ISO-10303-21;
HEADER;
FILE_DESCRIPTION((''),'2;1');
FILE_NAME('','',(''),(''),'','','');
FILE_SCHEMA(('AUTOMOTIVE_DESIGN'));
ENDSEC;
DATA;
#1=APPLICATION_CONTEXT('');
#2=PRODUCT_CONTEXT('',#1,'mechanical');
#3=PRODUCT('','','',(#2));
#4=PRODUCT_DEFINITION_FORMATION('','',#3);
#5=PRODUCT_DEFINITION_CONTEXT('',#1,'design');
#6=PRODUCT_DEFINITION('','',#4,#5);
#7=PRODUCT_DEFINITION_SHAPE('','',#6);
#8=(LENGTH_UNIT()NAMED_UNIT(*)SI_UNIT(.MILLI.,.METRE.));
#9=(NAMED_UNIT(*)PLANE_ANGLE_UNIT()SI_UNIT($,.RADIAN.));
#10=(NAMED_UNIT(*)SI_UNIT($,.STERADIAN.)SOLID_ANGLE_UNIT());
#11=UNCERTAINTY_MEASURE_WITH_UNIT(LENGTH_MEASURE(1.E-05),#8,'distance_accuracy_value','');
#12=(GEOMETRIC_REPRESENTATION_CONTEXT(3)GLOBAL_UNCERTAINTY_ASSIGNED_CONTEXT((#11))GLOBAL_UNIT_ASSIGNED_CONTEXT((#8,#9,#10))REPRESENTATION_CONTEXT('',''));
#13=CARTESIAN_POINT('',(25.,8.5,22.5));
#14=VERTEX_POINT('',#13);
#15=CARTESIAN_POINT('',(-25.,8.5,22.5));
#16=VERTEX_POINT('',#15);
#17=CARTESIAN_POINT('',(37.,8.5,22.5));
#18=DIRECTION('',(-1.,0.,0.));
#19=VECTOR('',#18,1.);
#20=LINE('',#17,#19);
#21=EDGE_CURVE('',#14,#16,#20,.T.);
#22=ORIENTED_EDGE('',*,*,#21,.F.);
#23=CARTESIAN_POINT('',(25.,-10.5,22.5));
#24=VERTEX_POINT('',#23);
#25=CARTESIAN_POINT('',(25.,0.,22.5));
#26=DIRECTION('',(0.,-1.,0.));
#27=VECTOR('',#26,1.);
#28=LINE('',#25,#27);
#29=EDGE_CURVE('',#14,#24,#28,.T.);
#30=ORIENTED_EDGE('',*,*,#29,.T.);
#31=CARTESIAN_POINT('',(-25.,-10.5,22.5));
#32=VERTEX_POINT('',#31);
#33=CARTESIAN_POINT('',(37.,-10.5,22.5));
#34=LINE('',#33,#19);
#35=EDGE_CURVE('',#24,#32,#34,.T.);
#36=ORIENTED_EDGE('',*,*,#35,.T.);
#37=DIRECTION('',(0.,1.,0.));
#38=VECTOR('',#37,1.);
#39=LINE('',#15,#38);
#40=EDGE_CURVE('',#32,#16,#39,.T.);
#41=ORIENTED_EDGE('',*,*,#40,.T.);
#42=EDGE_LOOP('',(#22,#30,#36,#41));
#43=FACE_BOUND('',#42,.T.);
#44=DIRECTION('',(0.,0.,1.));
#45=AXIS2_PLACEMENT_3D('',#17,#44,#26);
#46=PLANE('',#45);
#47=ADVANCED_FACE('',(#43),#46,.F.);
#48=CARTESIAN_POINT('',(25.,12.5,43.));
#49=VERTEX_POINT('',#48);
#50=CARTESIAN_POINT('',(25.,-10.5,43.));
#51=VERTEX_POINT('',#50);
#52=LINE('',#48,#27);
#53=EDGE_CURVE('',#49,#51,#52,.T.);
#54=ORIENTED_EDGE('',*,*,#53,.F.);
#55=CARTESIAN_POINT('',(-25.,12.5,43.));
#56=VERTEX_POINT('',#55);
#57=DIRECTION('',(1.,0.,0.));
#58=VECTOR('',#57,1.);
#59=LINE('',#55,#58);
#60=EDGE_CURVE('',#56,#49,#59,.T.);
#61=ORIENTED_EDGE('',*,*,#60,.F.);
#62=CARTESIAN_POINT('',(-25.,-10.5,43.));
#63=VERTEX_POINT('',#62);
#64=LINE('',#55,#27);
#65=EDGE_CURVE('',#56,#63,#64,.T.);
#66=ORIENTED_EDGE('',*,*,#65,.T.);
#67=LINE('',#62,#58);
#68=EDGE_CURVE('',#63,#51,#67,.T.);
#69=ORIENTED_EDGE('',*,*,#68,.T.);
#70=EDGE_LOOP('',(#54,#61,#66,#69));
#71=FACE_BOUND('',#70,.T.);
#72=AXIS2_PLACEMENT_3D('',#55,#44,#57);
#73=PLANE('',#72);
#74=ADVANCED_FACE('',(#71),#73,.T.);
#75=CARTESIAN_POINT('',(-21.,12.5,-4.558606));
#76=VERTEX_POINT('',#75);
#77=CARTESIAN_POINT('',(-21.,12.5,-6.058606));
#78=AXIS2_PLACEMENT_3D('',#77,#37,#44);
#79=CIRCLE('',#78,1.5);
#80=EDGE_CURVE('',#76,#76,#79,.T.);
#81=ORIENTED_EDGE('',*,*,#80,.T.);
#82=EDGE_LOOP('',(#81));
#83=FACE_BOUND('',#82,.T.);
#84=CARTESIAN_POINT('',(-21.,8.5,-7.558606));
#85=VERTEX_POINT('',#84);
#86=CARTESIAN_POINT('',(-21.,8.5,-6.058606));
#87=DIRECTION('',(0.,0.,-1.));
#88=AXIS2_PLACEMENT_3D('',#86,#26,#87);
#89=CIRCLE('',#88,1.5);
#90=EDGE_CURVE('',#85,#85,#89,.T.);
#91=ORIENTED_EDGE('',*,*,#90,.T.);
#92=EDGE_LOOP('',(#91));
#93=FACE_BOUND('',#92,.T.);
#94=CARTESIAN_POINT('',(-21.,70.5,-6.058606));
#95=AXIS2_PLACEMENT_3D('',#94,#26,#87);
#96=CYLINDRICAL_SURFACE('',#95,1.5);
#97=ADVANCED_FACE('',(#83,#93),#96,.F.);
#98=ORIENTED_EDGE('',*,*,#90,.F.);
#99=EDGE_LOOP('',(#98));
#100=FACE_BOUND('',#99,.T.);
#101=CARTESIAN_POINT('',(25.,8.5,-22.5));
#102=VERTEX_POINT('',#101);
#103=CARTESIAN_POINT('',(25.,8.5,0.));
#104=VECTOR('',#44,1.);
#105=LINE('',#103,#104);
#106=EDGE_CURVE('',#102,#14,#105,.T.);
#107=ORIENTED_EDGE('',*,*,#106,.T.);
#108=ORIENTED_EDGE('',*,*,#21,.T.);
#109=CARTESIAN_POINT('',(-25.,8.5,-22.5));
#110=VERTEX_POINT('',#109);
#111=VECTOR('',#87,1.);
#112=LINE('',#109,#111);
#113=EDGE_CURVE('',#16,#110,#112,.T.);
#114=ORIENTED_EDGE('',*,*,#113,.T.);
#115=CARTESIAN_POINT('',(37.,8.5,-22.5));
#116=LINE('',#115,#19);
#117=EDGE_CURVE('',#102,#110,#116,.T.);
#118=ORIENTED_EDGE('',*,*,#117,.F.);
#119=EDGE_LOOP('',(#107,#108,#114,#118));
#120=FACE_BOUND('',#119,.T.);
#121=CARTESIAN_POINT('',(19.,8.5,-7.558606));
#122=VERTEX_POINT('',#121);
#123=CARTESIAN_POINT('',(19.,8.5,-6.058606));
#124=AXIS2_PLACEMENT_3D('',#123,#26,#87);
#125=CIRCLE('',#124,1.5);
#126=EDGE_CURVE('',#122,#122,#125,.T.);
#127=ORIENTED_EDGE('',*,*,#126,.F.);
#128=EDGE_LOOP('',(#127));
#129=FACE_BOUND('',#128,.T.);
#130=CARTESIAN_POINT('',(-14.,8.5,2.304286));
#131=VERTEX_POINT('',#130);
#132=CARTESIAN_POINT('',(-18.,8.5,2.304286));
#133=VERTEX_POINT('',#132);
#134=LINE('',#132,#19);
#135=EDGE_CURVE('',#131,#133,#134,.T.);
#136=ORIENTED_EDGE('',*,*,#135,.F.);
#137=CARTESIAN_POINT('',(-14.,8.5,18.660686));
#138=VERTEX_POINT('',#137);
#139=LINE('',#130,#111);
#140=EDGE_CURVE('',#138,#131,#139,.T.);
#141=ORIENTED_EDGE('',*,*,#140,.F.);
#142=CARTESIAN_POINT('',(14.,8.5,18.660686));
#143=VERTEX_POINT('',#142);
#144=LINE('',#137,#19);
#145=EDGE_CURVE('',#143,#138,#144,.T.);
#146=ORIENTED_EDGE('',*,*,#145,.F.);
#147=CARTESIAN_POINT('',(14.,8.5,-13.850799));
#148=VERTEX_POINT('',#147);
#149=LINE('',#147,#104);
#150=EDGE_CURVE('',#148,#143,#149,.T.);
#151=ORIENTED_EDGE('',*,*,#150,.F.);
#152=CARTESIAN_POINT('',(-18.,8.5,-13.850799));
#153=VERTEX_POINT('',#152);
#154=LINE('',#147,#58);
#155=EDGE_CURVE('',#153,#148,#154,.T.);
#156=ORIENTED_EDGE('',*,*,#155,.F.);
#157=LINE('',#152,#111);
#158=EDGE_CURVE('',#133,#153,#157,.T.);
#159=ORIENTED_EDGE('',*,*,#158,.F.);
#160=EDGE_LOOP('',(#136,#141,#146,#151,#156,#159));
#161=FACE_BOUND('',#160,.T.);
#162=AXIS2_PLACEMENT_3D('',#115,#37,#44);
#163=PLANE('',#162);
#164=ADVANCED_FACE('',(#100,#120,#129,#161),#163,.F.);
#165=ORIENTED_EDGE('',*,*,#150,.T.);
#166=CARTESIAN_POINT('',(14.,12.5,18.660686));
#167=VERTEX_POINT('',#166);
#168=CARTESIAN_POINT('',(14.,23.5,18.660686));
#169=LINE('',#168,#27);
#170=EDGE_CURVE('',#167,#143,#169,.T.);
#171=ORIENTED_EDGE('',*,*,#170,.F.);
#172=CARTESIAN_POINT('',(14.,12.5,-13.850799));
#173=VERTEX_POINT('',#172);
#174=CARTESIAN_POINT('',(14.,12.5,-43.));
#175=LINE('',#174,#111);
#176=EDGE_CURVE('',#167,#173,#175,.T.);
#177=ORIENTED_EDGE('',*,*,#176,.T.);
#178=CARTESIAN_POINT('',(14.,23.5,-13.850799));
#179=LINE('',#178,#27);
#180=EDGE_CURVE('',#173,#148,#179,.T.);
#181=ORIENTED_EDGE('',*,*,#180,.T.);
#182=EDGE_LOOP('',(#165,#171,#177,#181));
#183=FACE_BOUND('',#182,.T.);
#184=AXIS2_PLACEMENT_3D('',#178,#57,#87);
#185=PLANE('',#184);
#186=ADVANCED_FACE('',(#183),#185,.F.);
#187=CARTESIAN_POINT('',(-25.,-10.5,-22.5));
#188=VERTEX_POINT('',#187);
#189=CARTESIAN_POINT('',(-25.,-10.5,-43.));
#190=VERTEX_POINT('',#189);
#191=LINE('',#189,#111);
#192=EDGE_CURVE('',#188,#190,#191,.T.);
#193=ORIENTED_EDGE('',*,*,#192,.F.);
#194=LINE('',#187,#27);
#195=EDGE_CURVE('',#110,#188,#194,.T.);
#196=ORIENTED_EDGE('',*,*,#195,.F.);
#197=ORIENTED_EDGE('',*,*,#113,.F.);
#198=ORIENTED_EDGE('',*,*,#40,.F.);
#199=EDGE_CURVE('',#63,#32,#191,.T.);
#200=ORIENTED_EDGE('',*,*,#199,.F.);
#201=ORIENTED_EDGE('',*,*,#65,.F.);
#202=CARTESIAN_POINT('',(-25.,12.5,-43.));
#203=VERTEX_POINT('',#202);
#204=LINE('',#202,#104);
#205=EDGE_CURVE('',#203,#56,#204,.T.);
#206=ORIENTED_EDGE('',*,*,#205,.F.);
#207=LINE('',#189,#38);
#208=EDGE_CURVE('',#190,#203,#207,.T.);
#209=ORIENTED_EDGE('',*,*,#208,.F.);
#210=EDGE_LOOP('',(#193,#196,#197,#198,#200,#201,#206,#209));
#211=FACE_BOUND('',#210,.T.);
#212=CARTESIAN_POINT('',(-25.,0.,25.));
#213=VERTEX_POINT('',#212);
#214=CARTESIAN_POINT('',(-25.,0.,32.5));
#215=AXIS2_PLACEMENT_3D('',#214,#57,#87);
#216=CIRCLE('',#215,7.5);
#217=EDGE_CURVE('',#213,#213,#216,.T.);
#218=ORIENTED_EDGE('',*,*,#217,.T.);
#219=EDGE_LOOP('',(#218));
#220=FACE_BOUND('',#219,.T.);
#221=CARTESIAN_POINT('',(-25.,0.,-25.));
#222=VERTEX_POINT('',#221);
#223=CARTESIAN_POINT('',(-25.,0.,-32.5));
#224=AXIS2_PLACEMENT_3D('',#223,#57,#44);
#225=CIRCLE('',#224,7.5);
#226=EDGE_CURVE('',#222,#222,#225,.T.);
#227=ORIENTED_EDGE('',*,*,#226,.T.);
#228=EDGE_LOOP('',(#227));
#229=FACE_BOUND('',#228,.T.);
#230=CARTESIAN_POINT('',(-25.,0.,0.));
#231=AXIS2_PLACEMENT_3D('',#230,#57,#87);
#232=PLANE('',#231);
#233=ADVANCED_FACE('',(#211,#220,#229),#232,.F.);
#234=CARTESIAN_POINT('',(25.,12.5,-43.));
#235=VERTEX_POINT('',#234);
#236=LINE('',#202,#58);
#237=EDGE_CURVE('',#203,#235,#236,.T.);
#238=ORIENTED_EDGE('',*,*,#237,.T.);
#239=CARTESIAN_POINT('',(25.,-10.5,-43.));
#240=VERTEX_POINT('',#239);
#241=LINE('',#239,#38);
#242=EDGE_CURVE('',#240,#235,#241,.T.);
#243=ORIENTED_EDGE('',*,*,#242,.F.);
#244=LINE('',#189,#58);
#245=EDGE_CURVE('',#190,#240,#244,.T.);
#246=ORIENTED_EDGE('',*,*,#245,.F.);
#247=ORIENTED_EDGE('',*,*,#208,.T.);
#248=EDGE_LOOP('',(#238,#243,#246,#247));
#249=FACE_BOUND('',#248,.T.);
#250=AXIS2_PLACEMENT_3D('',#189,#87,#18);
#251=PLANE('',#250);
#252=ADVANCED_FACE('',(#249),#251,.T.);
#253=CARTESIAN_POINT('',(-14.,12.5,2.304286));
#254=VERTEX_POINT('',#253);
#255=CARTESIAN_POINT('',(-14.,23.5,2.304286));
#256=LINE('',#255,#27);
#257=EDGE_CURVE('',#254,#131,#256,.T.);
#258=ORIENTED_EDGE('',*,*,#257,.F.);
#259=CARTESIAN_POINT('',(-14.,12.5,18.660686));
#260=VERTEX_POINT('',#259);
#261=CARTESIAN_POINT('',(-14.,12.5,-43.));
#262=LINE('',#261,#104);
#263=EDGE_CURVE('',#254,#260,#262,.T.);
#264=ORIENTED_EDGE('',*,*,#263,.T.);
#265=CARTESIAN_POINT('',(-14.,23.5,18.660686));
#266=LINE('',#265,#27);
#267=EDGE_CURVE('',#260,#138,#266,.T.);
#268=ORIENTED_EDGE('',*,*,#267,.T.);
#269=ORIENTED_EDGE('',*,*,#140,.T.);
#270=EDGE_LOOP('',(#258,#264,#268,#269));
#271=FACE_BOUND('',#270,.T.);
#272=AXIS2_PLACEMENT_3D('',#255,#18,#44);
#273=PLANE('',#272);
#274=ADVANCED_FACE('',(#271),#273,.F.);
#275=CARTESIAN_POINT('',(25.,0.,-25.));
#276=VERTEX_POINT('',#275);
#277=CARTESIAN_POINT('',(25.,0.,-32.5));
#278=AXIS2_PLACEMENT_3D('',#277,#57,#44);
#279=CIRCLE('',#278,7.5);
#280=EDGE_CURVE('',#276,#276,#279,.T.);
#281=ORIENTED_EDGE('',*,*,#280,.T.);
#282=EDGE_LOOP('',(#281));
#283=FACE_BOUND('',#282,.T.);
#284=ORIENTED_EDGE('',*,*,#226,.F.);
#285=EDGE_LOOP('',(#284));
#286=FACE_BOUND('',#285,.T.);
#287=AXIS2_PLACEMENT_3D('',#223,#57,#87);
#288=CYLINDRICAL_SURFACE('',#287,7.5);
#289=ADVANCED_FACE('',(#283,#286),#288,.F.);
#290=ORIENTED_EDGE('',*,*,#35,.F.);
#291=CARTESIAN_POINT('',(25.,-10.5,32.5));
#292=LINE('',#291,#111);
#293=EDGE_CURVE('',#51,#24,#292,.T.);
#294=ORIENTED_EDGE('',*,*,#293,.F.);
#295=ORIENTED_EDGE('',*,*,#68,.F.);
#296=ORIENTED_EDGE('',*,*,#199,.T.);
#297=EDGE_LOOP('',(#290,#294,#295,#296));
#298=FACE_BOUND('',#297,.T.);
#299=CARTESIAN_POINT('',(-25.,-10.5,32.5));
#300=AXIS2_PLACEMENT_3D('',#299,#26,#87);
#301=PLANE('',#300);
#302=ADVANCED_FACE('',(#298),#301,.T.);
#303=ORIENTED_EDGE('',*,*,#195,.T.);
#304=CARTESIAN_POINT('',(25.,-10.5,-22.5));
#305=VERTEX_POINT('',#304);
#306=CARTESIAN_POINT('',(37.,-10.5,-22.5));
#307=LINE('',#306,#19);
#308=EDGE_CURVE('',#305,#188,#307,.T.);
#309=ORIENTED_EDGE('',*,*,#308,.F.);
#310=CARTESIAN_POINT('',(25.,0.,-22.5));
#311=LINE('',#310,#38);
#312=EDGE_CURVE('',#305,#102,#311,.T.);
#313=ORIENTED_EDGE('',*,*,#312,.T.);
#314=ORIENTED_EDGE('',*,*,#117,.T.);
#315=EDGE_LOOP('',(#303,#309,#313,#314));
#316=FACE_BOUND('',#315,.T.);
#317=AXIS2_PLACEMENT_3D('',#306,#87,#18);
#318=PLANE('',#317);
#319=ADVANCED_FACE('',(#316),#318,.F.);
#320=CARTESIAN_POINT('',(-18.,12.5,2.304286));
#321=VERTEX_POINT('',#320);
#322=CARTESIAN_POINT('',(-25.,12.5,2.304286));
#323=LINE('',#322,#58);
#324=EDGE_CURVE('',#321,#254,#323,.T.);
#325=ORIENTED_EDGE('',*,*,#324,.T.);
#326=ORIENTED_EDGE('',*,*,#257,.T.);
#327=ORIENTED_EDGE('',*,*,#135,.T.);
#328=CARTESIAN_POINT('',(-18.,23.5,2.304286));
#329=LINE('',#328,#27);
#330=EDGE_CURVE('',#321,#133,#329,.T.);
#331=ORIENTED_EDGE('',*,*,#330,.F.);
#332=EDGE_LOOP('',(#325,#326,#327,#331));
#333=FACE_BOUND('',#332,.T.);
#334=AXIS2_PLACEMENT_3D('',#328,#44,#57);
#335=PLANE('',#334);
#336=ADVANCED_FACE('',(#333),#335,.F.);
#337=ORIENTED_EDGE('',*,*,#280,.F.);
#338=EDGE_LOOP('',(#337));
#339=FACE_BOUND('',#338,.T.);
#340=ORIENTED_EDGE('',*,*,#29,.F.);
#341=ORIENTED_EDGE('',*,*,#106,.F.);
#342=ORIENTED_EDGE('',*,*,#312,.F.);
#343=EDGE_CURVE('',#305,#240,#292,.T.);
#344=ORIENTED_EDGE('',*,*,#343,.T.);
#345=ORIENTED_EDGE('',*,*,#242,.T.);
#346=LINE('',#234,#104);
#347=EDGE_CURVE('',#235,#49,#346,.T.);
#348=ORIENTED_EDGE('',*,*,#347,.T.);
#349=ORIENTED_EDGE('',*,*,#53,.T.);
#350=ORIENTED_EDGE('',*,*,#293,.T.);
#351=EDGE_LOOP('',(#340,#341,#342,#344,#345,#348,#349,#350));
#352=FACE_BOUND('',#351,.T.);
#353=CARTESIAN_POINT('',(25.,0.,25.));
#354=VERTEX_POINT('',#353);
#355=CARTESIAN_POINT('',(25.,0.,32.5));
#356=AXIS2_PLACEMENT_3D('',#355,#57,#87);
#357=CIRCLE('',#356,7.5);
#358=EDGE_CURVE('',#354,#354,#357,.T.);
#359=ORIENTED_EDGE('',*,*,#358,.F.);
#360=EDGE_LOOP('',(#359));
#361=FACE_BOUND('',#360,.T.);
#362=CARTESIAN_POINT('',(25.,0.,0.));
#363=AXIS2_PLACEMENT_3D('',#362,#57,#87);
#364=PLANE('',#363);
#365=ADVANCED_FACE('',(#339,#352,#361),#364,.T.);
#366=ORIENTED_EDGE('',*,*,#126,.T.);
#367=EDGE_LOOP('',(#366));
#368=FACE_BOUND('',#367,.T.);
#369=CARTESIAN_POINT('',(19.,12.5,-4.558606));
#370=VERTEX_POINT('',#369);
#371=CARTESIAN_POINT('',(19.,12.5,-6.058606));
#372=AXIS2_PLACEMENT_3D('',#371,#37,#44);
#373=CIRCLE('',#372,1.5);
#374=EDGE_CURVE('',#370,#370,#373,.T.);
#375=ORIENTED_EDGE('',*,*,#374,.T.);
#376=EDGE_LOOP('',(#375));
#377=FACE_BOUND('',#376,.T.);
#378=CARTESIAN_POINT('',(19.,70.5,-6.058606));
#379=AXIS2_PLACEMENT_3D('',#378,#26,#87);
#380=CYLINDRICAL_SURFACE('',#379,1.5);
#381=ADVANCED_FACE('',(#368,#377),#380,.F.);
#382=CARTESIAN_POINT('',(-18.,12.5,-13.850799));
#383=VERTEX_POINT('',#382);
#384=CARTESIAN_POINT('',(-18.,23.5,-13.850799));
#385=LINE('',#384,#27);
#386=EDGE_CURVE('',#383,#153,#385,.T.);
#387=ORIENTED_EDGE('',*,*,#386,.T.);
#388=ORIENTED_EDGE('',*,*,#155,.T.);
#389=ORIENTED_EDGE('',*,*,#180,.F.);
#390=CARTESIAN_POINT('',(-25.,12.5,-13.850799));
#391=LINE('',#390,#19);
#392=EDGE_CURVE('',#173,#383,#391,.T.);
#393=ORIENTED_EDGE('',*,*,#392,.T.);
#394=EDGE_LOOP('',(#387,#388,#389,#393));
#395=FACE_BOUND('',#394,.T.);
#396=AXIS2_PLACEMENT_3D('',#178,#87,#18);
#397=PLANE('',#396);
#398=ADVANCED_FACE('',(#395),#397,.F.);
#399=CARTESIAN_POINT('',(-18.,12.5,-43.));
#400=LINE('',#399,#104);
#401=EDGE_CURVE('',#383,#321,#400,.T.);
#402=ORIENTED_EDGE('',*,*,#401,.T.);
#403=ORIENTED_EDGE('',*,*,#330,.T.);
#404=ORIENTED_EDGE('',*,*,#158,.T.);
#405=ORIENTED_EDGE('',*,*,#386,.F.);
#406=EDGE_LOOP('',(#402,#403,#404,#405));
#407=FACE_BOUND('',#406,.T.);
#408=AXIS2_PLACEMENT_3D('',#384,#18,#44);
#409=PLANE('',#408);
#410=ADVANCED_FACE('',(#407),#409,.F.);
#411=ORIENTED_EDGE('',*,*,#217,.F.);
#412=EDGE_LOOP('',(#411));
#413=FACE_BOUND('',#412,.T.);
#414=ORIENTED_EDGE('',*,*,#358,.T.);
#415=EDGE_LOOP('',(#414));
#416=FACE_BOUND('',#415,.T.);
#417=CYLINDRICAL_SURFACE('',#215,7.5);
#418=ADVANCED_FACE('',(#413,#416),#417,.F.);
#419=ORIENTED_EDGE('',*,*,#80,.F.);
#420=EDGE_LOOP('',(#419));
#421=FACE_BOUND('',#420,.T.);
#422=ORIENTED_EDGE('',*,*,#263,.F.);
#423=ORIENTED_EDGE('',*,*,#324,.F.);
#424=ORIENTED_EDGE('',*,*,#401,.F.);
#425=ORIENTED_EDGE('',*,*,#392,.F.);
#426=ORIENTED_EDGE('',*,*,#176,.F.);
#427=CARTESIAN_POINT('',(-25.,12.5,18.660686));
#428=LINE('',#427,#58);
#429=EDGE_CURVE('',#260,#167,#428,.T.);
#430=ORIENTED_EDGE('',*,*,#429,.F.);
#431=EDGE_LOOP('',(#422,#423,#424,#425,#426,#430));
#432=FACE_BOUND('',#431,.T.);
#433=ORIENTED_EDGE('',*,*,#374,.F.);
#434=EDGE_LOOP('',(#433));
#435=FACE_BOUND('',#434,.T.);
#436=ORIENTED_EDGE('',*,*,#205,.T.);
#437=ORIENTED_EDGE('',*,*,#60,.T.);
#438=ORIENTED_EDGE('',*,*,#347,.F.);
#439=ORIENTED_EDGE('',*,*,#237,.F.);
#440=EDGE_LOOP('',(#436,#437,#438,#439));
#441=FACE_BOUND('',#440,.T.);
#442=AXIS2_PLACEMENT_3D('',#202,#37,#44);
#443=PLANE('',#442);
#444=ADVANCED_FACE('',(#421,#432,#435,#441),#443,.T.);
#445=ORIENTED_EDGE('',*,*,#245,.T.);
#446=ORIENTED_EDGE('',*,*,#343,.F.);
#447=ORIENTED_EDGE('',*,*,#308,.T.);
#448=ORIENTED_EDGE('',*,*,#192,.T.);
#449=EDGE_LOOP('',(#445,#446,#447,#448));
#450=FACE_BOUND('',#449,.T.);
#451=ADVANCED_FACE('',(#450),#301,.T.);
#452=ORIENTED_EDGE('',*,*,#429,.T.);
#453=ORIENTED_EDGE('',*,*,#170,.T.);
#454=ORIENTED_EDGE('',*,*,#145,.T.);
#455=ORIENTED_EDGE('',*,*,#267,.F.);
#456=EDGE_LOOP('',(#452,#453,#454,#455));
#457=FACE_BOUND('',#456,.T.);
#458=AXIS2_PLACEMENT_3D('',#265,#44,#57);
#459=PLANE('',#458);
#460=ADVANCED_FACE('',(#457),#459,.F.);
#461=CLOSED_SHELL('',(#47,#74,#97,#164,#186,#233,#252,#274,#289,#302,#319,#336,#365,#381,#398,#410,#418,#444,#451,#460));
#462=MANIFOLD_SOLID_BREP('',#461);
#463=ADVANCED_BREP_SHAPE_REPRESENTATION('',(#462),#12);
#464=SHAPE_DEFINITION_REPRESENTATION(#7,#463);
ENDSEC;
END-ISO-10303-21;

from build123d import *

# Parameters (mm, degrees)
SKETCH1_R           = 7.5
BOSS_EXTRUDE1_DEPTH = 25
CUT_EXTRUDE1_DEPTH  = 34
SKETCH3_W           = 45
SKETCH3_H           = 19
CUT_EXTRUDE2_DEPTH  = 62
SKETCH4_R           = 1.5
CUT_EXTRUDE3_DEPTH  = 62


with BuildPart() as part:
    # Sketch1 → Boss-Extrude1 (new, symmetric)
    with BuildSketch(Plane(origin=(0, 0, 0), x_dir=(0, 0, -1), z_dir=(1, 0, 0))):
        Polygon((-32.5, -10.5), (-43, -10.5), (-43, 12.5), (43, 12.5), (43, -10.5), align=None)
        with Locations((-32.5, 0)):
            Circle(SKETCH1_R, mode=Mode.SUBTRACT)
        with Locations(Location((32.5, 0, 0), (0, 0, 180))):
            Circle(SKETCH1_R, mode=Mode.SUBTRACT)
    extrude(amount=BOSS_EXTRUDE1_DEPTH, both=True)

    # Sketch2 → Cut-Extrude1 (cut)
    with BuildSketch(Plane.XZ.offset(10.5)):
        Polygon((14, -13.850798543), (-18, -13.850798543), (-18, 2.304286058), (-14, 2.304286058), (-14, 18.660685655), (14, 18.660685655), align=None)
    extrude(amount=-CUT_EXTRUDE1_DEPTH, mode=Mode.SUBTRACT)

    # Sketch3 → Cut-Extrude2 (cut)
    with BuildSketch(Plane.ZY.offset(25)):
        with Locations((0, -1)):
            Rectangle(SKETCH3_W, SKETCH3_H)
    extrude(amount=-CUT_EXTRUDE2_DEPTH, mode=Mode.SUBTRACT)

    # Sketch4 → Cut-Extrude3 (cut)
    with BuildSketch(Plane.XZ.offset(-8.5)):
        with Locations(Location((-21, -6.058605683, 0), (0, 0, 270))):
            Circle(SKETCH4_R)
        with Locations(Location((19, -6.058605683, 0), (0, 0, 270))):
            Circle(SKETCH4_R)
    extrude(amount=-CUT_EXTRUDE3_DEPTH, mode=Mode.SUBTRACT)


solid = part.part
